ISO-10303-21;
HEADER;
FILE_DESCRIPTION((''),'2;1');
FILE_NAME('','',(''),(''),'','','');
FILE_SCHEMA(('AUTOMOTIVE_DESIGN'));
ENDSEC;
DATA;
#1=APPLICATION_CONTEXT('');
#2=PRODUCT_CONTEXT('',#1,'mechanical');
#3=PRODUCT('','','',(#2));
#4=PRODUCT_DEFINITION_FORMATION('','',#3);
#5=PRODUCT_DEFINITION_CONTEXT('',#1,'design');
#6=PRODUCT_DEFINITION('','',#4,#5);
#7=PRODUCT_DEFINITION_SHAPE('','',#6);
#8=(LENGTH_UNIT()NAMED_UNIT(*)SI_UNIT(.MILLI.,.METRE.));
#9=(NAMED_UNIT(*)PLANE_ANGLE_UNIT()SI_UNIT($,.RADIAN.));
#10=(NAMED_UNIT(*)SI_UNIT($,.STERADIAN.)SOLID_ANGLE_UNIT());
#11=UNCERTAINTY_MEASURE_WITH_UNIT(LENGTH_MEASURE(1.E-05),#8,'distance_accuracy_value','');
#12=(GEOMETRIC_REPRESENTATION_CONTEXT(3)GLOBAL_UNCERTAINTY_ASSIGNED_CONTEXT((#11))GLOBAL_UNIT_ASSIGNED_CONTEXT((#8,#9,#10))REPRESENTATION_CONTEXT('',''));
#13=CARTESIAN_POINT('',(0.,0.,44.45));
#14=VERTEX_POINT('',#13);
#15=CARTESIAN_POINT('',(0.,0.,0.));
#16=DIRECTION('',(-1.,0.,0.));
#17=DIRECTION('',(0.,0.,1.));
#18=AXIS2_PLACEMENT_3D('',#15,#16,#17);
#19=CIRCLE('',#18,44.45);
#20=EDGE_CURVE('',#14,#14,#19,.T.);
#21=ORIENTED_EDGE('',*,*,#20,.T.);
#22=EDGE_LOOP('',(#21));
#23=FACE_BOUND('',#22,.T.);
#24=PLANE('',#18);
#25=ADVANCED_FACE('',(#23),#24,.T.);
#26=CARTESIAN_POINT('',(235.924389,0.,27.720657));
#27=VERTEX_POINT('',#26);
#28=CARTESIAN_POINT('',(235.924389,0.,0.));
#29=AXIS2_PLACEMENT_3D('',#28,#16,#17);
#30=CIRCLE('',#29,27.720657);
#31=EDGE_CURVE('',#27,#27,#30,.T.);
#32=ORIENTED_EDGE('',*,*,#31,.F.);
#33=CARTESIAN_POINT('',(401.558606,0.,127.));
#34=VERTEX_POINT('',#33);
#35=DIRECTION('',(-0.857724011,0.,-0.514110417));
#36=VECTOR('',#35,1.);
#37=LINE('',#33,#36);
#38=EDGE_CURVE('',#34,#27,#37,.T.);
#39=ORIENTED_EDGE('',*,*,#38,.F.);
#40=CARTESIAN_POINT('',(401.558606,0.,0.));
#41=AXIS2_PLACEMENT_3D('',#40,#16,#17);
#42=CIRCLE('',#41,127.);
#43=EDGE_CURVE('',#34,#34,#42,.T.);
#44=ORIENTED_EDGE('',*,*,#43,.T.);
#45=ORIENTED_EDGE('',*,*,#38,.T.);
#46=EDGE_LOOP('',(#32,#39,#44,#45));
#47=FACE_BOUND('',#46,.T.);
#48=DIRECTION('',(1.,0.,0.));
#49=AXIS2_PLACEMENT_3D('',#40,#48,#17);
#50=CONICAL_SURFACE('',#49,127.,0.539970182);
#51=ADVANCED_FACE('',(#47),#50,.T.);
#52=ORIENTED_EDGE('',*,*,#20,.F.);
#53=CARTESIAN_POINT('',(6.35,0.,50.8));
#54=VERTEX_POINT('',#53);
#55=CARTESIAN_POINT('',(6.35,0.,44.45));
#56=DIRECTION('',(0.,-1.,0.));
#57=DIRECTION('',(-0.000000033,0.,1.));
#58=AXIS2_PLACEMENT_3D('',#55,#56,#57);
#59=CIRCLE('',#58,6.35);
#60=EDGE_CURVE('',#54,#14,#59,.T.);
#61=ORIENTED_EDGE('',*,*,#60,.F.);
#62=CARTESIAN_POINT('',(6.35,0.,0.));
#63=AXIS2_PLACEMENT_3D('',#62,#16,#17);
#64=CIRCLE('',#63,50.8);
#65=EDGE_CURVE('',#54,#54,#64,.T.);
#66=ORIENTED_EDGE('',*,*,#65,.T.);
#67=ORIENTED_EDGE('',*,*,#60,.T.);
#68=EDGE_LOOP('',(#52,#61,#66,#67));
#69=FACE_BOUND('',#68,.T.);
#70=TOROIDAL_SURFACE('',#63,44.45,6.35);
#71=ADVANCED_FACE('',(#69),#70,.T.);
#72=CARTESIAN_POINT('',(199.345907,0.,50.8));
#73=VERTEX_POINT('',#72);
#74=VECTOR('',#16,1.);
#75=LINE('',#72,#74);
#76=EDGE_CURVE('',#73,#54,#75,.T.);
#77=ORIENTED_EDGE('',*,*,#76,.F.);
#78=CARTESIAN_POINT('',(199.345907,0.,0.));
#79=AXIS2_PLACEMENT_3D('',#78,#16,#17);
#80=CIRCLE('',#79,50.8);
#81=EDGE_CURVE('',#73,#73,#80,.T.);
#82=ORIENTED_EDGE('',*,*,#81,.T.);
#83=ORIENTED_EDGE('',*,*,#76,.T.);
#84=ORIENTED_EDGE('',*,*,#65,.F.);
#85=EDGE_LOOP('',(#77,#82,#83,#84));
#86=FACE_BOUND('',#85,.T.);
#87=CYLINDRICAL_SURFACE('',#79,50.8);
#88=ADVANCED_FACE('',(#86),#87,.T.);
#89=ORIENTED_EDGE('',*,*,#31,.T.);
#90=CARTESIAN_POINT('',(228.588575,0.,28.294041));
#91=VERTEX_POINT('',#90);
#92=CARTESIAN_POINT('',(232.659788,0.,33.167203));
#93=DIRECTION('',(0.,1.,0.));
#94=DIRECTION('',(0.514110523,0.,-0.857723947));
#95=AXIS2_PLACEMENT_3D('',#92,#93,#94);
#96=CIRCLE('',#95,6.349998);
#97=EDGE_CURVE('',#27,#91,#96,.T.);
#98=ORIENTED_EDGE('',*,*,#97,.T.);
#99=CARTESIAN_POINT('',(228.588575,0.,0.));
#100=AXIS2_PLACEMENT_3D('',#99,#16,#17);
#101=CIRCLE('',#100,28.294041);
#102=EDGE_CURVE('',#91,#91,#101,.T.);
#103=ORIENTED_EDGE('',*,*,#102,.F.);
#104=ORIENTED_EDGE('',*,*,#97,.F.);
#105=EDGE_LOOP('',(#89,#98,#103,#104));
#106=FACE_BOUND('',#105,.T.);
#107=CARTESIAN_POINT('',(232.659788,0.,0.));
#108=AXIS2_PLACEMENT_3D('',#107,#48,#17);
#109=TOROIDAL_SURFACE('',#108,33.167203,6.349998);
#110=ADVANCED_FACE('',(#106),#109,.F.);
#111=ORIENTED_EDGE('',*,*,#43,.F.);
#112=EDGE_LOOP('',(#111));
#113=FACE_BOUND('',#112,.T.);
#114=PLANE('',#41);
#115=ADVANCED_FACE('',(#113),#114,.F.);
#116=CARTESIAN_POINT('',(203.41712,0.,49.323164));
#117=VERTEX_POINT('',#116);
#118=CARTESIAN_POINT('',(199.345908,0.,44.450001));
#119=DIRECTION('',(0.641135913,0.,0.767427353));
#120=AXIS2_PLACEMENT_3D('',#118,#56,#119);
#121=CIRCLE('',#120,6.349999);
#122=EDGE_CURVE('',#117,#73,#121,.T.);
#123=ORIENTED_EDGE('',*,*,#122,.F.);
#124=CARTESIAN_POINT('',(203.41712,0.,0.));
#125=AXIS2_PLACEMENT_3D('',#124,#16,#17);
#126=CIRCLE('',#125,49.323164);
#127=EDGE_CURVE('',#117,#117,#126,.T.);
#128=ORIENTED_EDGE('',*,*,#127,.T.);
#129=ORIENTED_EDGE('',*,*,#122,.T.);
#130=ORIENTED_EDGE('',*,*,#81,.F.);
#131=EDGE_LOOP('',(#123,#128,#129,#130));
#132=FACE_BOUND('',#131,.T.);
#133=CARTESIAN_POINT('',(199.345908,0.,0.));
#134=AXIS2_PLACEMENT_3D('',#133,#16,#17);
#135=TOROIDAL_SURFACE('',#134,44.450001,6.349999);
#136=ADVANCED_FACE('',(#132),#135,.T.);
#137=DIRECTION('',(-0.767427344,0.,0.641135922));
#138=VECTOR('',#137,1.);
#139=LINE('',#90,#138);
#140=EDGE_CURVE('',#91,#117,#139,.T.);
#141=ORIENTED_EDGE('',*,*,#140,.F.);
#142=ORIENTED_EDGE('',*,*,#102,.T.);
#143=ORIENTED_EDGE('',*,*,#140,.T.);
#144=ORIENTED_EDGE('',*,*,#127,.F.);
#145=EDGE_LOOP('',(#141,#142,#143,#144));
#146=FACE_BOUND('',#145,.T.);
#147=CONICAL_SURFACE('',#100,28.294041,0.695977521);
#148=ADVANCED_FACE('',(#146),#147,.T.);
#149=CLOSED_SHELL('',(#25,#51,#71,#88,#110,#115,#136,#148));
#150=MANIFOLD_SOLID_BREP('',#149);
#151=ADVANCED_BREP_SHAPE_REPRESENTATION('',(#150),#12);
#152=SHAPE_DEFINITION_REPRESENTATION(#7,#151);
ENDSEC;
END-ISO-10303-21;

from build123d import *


with BuildPart() as f1:
    # F0 (on Front) → F1 (revolve)
    with BuildSketch(Plane.XZ):
        with BuildLine():
            Line((0, 44.45), (0, 0))
            Line((0, 0), (401.558606, 0))
            Line((401.558606, 0), (401.558606, 127))
            Line((401.558606, 127), (235.924389, 27.720657))
            ThreePointArc((235.924389, 27.720657), (232.164967, 26.836513), (228.588575, 28.294041))
            Line((228.588575, 28.294041), (203.41712, 49.323164))
            ThreePointArc((203.41712, 49.323164), (201.511307, 50.419384), (199.345907, 50.8))
            Line((199.345907, 50.8), (6.35, 50.8))
            ThreePointArc((6.35, 50.8), (1.859872, 48.940128), (0, 44.45))
        make_face()
    revolve(axis=Axis((200.779303, 0, 0), (-1, 0, 0)))


solid = f1.part
